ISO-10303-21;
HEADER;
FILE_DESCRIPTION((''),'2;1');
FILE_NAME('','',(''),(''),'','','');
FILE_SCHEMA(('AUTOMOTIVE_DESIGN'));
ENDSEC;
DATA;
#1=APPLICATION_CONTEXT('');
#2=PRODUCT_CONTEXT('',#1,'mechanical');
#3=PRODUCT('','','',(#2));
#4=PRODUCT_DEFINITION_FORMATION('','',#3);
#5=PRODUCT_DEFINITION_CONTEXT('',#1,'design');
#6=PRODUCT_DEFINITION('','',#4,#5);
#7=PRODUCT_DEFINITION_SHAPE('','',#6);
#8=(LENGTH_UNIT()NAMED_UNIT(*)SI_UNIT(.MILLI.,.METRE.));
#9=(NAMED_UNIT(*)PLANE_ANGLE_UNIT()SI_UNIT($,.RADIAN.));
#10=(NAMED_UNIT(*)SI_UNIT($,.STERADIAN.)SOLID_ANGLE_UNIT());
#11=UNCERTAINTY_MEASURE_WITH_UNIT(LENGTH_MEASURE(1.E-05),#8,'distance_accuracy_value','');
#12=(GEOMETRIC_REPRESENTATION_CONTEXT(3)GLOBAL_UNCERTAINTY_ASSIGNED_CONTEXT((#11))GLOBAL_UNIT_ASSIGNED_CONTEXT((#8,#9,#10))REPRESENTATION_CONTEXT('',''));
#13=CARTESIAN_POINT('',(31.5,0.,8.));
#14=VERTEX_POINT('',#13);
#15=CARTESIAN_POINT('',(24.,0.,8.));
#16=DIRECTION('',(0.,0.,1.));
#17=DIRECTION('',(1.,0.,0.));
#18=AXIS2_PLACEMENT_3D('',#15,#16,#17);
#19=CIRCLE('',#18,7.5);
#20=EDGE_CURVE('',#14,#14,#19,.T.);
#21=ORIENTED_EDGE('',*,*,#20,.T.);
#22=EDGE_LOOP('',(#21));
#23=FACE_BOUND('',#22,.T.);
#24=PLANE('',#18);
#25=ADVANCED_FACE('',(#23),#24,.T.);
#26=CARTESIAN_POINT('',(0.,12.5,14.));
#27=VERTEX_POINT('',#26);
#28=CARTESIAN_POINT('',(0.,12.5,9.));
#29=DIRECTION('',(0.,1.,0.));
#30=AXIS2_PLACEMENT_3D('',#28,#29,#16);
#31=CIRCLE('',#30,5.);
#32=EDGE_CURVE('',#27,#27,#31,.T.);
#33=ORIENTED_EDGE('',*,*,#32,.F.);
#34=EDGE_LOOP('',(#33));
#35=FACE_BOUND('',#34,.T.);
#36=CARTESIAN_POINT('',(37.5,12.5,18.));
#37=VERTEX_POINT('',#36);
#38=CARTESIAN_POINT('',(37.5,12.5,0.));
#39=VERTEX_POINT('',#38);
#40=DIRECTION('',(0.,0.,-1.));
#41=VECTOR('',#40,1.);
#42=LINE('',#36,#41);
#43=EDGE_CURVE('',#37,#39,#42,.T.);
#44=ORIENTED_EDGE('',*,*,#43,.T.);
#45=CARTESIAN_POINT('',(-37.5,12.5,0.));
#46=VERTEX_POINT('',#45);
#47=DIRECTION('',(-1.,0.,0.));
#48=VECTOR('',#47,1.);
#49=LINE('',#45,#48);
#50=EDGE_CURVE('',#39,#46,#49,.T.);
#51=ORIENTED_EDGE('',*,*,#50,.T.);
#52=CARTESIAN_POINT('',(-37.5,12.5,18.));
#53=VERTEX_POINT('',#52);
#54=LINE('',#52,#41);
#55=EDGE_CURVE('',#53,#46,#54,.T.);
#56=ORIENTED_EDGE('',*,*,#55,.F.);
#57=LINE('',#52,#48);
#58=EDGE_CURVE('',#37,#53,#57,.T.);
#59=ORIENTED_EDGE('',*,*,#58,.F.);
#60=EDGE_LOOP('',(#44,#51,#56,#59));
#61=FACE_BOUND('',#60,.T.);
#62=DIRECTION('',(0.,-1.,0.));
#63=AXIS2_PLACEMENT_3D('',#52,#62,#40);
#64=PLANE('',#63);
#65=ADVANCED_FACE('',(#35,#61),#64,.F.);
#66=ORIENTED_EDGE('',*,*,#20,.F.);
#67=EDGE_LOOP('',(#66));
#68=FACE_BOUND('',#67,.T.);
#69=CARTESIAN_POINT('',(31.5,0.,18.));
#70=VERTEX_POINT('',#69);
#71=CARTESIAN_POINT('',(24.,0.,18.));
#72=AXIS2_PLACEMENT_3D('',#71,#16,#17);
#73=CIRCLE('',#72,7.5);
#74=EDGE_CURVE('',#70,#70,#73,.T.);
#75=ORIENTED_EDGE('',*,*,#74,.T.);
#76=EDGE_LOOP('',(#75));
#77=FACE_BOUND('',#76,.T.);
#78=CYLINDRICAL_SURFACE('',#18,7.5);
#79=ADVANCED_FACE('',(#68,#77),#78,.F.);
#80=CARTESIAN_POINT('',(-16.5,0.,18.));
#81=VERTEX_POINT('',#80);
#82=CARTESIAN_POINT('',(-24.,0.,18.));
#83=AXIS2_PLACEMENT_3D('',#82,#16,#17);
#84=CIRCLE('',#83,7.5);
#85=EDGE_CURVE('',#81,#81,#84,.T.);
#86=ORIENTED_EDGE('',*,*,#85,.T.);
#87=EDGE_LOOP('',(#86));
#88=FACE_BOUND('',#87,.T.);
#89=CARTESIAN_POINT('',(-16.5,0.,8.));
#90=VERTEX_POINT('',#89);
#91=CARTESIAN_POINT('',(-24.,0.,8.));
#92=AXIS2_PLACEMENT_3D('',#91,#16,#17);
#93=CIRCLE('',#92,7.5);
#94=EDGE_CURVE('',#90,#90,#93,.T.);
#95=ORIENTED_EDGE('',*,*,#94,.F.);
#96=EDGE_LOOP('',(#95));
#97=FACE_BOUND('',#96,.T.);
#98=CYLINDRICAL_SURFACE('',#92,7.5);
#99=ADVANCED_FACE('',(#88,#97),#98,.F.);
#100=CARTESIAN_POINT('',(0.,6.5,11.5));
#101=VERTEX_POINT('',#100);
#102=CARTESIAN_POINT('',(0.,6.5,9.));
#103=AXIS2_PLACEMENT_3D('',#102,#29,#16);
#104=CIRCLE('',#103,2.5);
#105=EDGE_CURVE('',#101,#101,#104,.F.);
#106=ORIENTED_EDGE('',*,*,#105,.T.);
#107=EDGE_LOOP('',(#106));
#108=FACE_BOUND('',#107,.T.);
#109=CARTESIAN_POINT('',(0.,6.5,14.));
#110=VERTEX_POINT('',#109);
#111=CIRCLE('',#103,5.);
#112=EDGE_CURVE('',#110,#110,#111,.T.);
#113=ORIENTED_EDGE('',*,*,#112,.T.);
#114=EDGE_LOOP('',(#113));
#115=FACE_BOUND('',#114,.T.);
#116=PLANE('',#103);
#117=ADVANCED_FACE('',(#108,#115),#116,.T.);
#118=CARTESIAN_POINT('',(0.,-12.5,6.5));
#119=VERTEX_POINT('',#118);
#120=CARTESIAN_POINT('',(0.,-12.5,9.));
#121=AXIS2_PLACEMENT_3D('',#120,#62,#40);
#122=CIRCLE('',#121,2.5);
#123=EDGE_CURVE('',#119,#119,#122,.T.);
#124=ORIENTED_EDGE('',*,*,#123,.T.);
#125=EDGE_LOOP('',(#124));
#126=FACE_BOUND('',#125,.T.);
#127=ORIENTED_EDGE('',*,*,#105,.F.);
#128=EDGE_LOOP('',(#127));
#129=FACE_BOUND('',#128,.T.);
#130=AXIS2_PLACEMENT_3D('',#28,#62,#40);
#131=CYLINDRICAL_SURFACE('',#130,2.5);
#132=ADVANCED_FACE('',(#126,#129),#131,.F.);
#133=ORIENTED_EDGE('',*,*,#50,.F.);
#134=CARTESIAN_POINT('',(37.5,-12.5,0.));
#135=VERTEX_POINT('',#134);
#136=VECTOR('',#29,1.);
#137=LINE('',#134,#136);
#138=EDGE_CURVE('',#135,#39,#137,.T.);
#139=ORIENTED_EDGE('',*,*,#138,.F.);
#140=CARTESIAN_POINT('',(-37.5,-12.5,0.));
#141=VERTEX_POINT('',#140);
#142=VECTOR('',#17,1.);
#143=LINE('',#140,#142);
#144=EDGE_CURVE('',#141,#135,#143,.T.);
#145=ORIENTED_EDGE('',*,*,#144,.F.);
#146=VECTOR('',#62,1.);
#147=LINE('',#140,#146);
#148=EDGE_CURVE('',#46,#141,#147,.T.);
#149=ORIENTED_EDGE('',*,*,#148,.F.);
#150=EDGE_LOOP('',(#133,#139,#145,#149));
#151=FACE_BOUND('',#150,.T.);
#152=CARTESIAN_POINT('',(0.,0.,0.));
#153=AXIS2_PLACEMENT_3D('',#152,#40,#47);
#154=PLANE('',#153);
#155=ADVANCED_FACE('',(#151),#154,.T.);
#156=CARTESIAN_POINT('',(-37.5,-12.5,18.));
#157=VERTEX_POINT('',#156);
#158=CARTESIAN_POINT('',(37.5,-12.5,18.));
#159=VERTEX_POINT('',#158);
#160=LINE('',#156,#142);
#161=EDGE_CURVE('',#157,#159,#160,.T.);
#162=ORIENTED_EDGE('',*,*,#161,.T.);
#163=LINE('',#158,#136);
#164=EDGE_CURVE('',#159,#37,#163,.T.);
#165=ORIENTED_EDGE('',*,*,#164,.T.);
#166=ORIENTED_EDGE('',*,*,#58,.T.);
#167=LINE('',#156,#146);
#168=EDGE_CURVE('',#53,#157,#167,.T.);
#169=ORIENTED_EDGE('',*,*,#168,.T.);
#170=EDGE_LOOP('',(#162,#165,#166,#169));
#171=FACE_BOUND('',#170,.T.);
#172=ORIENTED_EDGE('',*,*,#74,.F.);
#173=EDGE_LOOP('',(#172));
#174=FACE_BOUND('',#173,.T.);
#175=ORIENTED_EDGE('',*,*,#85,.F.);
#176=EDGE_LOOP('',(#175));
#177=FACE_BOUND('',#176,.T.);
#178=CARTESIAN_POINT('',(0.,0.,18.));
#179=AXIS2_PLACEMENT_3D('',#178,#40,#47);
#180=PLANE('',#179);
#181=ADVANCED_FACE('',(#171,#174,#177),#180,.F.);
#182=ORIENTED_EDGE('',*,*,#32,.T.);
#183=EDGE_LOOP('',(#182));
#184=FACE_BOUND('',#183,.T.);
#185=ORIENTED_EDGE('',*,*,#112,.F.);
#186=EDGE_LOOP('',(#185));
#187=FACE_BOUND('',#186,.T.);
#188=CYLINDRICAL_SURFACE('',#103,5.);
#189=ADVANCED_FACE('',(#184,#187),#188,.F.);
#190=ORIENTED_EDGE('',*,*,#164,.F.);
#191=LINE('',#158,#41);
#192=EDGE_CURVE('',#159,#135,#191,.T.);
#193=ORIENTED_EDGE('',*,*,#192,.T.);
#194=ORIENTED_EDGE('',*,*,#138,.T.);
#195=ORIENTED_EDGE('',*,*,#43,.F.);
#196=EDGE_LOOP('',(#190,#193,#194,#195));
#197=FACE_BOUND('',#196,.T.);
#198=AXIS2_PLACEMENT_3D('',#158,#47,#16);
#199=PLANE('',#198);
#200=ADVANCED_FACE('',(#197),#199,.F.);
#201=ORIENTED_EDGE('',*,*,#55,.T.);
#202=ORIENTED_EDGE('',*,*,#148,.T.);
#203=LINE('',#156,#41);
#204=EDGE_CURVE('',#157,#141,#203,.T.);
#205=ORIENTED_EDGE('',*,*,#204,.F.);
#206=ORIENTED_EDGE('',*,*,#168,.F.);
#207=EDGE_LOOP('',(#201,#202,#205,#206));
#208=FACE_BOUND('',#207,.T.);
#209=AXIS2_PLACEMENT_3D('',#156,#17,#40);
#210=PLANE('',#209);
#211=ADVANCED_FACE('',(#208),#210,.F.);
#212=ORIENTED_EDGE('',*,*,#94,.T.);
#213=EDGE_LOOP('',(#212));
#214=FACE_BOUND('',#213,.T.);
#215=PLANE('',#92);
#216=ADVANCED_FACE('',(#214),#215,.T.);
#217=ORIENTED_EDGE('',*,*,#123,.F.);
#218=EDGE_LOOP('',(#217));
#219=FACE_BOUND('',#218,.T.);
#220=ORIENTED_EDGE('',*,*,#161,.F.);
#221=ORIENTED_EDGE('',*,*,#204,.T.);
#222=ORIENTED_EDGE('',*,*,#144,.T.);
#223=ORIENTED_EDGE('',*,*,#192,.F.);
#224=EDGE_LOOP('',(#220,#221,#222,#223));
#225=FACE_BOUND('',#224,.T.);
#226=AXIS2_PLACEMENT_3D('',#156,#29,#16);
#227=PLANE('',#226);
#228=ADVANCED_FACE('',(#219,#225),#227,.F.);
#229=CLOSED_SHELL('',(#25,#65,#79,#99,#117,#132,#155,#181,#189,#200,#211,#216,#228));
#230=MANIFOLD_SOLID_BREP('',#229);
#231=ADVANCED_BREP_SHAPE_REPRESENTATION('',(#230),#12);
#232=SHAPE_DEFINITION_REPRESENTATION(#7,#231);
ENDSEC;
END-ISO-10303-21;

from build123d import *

# Parameters (mm, degrees)
SKETCH1_W           = 75
SKETCH1_H           = 25
BOSS_EXTRUDE1_DEPTH = 18
SKETCH2_R           = 7.5
CUT_EXTRUDE1_DEPTH  = 10
SKETCH3_R           = 2.5
CUT_EXTRUDE2_DEPTH  = 49.53091798
SKETCH4_R           = 5
CUT_EXTRUDE3_DEPTH  = 6


with BuildPart() as part:
    # Sketch1 → Boss-Extrude1 (new body)
    with BuildSketch(Plane.XY):
        Rectangle(SKETCH1_W, SKETCH1_H)
    extrude(amount=BOSS_EXTRUDE1_DEPTH)

    # Sketch2 → Cut-Extrude1 (cut)
    with BuildSketch(Plane.XY.offset(18)):
        with Locations((-24, 0)):
            Circle(SKETCH2_R)
        with Locations((24, 0)):
            Circle(SKETCH2_R)
    extrude(amount=-CUT_EXTRUDE1_DEPTH, mode=Mode.SUBTRACT)

    # Sketch3 → Cut-Extrude2 (cut, through all)
    with BuildSketch(Plane.XZ.offset(12.5)):
        with Locations(Location((0, 9, 0), (0, 0, 270))):
            Circle(SKETCH3_R)
    extrude(amount=-CUT_EXTRUDE2_DEPTH, mode=Mode.SUBTRACT)

    # Sketch4 → Cut-Extrude3 (cut)
    with BuildSketch(Plane(origin=(0, 12.5, 0), x_dir=(1, 0, 0), z_dir=(0, 1, 0))):
        with Locations(Location((0, -9, 0), (0, 0, 270))):
            Circle(SKETCH4_R)
    extrude(amount=-CUT_EXTRUDE3_DEPTH, mode=Mode.SUBTRACT)


solid = part.part
